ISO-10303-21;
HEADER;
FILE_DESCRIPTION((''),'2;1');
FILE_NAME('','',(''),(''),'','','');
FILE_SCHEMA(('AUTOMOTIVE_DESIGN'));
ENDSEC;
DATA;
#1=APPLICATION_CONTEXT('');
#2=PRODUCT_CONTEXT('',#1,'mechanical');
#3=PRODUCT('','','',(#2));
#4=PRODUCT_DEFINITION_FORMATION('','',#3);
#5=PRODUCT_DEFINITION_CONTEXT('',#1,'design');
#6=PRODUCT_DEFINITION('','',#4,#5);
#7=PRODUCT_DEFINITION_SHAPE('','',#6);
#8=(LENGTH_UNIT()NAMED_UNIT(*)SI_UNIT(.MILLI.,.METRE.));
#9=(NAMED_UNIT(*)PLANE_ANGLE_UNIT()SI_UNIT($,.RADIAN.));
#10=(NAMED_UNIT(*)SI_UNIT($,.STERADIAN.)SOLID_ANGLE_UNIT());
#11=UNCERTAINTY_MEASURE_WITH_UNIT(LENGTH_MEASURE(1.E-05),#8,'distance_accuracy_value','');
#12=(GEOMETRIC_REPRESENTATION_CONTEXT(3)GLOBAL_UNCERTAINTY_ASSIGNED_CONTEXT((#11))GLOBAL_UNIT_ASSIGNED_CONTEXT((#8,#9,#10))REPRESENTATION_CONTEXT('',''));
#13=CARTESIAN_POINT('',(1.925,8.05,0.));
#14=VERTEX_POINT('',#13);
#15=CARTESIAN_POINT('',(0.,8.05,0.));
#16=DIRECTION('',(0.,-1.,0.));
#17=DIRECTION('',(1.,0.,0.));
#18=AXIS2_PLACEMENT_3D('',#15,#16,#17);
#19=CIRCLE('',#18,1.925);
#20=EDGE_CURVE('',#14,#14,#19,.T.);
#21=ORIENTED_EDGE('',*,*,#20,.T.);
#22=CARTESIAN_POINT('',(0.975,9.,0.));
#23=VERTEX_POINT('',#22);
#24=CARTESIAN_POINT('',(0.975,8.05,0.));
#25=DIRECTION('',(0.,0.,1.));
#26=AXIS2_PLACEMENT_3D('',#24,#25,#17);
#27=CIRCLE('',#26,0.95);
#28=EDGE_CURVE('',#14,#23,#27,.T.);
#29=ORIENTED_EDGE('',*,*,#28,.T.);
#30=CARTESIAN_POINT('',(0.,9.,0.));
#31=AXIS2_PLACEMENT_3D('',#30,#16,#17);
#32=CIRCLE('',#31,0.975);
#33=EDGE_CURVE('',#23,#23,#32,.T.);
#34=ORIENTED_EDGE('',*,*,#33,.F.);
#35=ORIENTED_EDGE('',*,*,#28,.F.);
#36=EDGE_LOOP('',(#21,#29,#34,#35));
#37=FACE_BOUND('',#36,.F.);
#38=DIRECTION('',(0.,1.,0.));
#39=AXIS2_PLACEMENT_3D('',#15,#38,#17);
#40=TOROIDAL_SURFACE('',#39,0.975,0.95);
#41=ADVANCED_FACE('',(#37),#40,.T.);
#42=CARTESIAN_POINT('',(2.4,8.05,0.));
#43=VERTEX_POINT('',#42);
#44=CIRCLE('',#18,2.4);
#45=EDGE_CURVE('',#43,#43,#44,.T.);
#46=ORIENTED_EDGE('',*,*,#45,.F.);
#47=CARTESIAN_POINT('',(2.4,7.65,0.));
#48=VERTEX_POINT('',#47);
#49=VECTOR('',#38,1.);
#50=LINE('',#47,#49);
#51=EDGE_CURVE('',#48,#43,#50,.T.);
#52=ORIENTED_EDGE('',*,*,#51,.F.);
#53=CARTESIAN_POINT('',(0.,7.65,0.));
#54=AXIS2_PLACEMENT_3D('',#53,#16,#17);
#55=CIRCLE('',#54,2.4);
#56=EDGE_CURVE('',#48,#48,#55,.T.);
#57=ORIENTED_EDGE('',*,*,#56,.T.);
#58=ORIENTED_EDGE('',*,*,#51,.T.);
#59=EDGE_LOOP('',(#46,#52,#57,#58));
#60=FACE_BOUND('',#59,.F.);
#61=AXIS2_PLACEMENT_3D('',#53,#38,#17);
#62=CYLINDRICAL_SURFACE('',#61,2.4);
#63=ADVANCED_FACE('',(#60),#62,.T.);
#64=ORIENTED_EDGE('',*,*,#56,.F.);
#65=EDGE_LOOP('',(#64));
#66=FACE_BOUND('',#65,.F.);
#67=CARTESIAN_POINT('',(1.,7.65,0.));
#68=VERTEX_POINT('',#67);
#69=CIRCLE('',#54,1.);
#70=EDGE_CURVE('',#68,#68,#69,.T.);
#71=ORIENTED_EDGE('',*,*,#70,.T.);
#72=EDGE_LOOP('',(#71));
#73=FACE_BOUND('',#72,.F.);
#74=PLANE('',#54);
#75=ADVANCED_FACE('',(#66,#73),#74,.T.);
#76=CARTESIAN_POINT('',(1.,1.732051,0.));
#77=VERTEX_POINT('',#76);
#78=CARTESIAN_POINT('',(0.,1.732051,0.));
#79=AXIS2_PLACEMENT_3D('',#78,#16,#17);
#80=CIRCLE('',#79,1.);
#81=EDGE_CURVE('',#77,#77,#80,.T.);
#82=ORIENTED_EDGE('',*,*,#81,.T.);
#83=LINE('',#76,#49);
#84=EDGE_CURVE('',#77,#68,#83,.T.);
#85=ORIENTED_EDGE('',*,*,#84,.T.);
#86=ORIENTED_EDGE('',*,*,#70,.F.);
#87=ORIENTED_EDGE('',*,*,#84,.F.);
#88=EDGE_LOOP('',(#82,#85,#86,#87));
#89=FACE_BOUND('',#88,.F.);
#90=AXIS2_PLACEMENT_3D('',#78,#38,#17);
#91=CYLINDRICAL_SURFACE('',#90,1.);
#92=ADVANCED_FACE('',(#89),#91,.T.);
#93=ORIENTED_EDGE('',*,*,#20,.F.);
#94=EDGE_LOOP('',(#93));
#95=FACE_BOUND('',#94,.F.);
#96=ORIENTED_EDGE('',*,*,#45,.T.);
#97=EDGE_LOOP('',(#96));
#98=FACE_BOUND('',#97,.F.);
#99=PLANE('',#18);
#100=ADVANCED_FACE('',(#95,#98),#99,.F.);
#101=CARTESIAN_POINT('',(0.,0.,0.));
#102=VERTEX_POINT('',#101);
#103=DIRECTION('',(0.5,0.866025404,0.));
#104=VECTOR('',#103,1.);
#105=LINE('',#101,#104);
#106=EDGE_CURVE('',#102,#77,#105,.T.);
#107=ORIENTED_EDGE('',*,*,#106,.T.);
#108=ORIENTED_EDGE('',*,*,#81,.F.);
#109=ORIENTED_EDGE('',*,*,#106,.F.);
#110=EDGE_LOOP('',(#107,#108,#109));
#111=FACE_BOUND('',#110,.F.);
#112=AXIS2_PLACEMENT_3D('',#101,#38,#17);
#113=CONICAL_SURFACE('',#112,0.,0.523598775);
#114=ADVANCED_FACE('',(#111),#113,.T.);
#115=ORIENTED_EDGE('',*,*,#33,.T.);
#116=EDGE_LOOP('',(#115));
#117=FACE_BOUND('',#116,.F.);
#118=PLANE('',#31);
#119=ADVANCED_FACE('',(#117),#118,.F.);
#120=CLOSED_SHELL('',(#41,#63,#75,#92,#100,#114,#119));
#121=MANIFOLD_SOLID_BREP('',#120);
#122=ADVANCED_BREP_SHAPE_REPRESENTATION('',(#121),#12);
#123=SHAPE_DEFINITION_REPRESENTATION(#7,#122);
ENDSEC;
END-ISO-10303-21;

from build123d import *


with BuildPart() as part:
    # Esquisse1 → Révolution1 (revolve)
    with BuildSketch(Plane.XY):
        with BuildLine():
            Line((0, 0), (1, 1.732050808))
            Line((1, 1.732050808), (1, 7.65))
            Line((1, 7.65), (2.4, 7.65))
            Line((2.4, 7.65), (2.4, 8.05))
            Line((2.4, 8.05), (1.925, 8.05))
            ThreePointArc((1.925, 8.05), (1.646751442, 8.721751442), (0.975, 9))
            Line((0.975, 9), (0, 9))
            Line((0, 9), (0, 0))
        make_face()
    revolve(axis=Axis((0, 9, 0), (0, -1, 0)))


solid = part.part
